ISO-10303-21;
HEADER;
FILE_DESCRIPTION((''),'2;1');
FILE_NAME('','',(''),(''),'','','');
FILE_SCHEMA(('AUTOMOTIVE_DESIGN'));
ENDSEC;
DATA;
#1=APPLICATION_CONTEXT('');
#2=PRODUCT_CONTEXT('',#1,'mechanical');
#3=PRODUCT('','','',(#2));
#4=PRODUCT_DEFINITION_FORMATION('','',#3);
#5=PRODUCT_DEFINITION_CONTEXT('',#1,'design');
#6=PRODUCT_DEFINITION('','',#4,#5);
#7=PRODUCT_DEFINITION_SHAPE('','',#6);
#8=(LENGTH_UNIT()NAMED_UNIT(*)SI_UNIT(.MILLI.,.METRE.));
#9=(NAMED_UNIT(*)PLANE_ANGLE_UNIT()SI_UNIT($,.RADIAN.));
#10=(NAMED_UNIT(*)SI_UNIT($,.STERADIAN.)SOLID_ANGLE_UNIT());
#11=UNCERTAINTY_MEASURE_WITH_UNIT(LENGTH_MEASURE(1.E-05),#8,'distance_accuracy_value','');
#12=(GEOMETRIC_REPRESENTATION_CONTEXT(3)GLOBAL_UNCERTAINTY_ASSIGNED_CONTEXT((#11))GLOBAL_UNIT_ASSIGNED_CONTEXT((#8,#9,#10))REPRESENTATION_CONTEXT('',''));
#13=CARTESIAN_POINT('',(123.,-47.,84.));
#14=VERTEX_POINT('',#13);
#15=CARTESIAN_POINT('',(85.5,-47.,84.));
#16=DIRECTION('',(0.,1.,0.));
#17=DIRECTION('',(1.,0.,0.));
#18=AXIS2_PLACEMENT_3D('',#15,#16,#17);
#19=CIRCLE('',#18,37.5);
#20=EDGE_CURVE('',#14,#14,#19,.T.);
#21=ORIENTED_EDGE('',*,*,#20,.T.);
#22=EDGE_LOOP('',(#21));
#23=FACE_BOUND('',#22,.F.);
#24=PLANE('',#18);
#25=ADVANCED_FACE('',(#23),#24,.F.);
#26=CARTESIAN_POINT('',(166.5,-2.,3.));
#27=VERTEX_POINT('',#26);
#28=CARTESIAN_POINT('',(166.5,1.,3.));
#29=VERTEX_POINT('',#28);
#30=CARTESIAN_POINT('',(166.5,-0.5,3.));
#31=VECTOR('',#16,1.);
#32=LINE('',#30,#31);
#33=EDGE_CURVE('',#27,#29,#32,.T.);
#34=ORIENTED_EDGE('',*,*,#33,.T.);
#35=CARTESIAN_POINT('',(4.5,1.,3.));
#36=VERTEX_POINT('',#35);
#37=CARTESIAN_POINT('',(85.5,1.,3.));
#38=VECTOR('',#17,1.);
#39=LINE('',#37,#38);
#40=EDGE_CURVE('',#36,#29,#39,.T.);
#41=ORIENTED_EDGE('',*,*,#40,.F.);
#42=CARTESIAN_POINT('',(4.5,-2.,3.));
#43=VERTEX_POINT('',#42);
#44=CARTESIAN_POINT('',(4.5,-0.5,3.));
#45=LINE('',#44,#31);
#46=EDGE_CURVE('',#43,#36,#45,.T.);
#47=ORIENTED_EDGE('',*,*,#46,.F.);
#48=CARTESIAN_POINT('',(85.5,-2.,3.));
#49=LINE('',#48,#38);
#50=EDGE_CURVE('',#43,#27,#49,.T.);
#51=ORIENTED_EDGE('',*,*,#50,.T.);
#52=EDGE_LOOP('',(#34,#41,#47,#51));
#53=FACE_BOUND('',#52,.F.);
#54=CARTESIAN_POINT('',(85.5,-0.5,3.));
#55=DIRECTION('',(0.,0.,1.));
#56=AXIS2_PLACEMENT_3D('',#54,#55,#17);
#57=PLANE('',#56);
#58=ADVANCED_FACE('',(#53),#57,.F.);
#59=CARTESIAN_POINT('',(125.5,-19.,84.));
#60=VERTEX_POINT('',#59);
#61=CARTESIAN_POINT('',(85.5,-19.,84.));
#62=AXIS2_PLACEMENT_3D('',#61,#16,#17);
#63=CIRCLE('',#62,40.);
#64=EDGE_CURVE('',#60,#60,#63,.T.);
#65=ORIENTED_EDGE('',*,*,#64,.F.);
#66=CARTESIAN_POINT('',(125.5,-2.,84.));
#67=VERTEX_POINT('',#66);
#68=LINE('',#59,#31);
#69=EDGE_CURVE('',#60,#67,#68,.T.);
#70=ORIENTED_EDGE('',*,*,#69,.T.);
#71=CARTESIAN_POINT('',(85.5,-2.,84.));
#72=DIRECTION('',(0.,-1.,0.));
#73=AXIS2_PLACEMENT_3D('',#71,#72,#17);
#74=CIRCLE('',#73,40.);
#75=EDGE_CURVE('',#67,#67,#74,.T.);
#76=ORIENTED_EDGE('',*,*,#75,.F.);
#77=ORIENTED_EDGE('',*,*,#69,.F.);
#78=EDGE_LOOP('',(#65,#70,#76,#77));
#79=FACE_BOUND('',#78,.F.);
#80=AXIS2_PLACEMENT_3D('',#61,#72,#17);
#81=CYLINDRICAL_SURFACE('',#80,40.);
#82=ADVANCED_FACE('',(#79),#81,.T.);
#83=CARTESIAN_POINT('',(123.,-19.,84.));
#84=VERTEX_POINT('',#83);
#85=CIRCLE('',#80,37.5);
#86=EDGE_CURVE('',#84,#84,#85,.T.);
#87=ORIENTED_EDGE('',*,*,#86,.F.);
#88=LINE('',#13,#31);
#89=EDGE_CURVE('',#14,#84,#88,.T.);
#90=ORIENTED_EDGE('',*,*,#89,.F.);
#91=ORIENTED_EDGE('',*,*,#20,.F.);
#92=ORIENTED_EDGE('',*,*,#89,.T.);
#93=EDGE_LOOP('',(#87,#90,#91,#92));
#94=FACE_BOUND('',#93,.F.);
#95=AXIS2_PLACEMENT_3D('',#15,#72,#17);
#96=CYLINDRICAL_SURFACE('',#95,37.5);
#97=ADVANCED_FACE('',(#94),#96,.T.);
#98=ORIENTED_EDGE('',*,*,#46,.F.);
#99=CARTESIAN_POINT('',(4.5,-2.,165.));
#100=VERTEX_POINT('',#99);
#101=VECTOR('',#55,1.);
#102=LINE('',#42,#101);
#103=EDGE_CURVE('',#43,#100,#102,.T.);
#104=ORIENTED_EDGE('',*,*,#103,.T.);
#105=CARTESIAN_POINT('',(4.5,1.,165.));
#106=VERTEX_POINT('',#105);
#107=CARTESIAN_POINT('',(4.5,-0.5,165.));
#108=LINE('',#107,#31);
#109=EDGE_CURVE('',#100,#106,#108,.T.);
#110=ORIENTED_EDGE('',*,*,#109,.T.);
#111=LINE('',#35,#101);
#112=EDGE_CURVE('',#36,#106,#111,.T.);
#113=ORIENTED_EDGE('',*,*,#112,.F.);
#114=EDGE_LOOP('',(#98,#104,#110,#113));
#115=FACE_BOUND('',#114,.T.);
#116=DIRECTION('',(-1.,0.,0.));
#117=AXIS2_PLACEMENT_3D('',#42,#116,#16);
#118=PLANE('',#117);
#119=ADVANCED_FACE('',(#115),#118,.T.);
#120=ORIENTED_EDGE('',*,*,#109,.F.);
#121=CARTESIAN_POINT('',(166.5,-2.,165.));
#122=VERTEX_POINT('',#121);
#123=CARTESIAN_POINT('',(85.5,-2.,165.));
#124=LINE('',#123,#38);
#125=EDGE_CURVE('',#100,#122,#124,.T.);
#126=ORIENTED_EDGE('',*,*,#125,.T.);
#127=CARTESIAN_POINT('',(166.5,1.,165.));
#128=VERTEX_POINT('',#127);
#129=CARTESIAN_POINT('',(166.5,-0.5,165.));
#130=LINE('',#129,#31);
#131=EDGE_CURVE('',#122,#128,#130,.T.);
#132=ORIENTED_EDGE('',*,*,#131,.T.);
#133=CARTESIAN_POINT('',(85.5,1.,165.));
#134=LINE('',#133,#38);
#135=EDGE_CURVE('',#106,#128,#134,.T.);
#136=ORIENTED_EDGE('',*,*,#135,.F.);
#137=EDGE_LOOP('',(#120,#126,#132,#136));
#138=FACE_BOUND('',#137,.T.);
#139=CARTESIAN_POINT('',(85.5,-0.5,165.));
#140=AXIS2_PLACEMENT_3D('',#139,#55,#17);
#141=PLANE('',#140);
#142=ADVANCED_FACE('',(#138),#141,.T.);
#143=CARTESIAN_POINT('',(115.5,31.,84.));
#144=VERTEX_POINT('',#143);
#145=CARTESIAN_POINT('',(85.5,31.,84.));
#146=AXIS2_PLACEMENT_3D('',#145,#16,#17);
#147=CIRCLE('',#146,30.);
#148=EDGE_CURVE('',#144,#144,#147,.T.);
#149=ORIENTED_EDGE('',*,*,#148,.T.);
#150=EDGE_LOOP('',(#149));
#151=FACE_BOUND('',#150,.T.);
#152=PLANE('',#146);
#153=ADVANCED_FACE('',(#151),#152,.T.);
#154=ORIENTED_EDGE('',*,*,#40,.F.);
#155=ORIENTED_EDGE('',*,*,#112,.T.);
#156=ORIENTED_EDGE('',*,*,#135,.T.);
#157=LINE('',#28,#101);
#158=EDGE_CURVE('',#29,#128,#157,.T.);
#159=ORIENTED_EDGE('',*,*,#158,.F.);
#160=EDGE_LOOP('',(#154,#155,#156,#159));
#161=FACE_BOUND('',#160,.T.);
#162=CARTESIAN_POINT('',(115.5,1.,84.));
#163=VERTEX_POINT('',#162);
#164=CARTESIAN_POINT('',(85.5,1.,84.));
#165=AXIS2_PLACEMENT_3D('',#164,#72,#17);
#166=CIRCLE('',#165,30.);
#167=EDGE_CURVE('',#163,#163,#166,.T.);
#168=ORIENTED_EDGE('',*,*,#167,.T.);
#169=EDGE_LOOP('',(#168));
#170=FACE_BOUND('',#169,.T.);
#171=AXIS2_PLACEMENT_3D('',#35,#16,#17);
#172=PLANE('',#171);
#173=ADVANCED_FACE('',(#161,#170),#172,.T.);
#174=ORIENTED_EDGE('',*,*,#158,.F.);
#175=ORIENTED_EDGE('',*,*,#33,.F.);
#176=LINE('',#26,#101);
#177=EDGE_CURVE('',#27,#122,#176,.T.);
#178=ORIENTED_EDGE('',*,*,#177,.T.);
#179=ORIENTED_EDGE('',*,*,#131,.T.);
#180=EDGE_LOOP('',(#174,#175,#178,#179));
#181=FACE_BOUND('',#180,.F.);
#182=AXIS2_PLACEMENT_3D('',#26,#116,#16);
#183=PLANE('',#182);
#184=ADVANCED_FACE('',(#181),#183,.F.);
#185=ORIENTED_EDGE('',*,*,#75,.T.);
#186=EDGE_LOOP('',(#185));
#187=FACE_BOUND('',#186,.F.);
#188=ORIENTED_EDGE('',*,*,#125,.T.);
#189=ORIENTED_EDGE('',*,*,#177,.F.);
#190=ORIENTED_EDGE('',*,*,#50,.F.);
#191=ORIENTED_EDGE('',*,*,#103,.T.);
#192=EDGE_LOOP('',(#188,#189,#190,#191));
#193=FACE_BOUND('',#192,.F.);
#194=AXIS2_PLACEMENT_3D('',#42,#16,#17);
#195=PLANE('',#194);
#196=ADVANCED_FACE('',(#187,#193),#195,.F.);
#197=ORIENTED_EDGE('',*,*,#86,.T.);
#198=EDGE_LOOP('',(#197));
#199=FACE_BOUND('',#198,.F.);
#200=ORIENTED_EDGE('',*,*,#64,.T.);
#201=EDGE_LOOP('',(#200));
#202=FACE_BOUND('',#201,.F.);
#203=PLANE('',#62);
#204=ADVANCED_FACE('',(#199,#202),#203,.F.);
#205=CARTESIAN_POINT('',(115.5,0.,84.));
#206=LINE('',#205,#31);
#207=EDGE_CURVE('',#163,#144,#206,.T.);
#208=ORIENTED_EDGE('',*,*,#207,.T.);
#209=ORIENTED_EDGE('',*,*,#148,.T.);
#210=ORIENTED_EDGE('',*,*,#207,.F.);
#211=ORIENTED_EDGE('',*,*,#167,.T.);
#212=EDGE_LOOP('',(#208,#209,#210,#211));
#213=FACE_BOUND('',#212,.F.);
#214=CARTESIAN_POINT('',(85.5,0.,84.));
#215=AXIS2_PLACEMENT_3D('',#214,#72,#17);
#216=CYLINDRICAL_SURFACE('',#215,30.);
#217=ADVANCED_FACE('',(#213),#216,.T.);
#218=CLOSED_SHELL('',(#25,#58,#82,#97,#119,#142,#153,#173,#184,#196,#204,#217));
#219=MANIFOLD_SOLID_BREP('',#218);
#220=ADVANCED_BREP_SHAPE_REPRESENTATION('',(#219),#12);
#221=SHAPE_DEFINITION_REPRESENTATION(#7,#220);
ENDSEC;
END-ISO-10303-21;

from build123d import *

# Parameters (mm, degrees)
BOX035_W          = 162
BOX035_H          = 3
BOX035_DEPTH      = 162
CYLINDER010_R     = 30
CYLINDER010_DEPTH = 31
CYLINDER011_R     = 37.5
CYLINDER011_DEPTH = 46
CYLINDER012_R     = 40
CYLINDER012_DEPTH = 18


with BuildPart() as cube030:
    # Box035 → Box035 (new body)
    with BuildSketch(Plane.XY):
        with Locations((81, 1.5)):
            Rectangle(BOX035_W, BOX035_H)
    extrude(amount=BOX035_DEPTH)


with BuildPart() as cylinder010:
    # Cylinder010 → Cylinder010 (new body)
    with BuildSketch(Plane(origin=(81, 2, 81), x_dir=(1, 0, 0), z_dir=(0, 1, 0))):
        Circle(CYLINDER010_R)
    extrude(amount=CYLINDER010_DEPTH)


with BuildPart() as cylinder011:
    # Cylinder011 → Cylinder011 (new body)
    with BuildSketch(Plane(origin=(81, -45, 81), x_dir=(1, 0, 0), z_dir=(0, 1, 0))):
        Circle(CYLINDER011_R)
    extrude(amount=CYLINDER011_DEPTH)


with BuildPart() as f_240mm:
    # Cylinder012 → Cylinder012 (new body)
    with BuildSketch(Plane(origin=(81, -17, 81), x_dir=(1, 0, 0), z_dir=(0, 1, 0))):
        Circle(CYLINDER012_R)
    extrude(amount=CYLINDER012_DEPTH)

    # Fusion008: union Cube030, Cylinder010, Cylinder011
    add(cube030.part)
    add(cylinder010.part)
    add(cylinder011.part)


with BuildPart() as f_240mm_1:
    # Fusion008 placement: moved
    add(f_240mm.part.moved(Location((4.5, -2, 3))))


solid = f_240mm_1.part
